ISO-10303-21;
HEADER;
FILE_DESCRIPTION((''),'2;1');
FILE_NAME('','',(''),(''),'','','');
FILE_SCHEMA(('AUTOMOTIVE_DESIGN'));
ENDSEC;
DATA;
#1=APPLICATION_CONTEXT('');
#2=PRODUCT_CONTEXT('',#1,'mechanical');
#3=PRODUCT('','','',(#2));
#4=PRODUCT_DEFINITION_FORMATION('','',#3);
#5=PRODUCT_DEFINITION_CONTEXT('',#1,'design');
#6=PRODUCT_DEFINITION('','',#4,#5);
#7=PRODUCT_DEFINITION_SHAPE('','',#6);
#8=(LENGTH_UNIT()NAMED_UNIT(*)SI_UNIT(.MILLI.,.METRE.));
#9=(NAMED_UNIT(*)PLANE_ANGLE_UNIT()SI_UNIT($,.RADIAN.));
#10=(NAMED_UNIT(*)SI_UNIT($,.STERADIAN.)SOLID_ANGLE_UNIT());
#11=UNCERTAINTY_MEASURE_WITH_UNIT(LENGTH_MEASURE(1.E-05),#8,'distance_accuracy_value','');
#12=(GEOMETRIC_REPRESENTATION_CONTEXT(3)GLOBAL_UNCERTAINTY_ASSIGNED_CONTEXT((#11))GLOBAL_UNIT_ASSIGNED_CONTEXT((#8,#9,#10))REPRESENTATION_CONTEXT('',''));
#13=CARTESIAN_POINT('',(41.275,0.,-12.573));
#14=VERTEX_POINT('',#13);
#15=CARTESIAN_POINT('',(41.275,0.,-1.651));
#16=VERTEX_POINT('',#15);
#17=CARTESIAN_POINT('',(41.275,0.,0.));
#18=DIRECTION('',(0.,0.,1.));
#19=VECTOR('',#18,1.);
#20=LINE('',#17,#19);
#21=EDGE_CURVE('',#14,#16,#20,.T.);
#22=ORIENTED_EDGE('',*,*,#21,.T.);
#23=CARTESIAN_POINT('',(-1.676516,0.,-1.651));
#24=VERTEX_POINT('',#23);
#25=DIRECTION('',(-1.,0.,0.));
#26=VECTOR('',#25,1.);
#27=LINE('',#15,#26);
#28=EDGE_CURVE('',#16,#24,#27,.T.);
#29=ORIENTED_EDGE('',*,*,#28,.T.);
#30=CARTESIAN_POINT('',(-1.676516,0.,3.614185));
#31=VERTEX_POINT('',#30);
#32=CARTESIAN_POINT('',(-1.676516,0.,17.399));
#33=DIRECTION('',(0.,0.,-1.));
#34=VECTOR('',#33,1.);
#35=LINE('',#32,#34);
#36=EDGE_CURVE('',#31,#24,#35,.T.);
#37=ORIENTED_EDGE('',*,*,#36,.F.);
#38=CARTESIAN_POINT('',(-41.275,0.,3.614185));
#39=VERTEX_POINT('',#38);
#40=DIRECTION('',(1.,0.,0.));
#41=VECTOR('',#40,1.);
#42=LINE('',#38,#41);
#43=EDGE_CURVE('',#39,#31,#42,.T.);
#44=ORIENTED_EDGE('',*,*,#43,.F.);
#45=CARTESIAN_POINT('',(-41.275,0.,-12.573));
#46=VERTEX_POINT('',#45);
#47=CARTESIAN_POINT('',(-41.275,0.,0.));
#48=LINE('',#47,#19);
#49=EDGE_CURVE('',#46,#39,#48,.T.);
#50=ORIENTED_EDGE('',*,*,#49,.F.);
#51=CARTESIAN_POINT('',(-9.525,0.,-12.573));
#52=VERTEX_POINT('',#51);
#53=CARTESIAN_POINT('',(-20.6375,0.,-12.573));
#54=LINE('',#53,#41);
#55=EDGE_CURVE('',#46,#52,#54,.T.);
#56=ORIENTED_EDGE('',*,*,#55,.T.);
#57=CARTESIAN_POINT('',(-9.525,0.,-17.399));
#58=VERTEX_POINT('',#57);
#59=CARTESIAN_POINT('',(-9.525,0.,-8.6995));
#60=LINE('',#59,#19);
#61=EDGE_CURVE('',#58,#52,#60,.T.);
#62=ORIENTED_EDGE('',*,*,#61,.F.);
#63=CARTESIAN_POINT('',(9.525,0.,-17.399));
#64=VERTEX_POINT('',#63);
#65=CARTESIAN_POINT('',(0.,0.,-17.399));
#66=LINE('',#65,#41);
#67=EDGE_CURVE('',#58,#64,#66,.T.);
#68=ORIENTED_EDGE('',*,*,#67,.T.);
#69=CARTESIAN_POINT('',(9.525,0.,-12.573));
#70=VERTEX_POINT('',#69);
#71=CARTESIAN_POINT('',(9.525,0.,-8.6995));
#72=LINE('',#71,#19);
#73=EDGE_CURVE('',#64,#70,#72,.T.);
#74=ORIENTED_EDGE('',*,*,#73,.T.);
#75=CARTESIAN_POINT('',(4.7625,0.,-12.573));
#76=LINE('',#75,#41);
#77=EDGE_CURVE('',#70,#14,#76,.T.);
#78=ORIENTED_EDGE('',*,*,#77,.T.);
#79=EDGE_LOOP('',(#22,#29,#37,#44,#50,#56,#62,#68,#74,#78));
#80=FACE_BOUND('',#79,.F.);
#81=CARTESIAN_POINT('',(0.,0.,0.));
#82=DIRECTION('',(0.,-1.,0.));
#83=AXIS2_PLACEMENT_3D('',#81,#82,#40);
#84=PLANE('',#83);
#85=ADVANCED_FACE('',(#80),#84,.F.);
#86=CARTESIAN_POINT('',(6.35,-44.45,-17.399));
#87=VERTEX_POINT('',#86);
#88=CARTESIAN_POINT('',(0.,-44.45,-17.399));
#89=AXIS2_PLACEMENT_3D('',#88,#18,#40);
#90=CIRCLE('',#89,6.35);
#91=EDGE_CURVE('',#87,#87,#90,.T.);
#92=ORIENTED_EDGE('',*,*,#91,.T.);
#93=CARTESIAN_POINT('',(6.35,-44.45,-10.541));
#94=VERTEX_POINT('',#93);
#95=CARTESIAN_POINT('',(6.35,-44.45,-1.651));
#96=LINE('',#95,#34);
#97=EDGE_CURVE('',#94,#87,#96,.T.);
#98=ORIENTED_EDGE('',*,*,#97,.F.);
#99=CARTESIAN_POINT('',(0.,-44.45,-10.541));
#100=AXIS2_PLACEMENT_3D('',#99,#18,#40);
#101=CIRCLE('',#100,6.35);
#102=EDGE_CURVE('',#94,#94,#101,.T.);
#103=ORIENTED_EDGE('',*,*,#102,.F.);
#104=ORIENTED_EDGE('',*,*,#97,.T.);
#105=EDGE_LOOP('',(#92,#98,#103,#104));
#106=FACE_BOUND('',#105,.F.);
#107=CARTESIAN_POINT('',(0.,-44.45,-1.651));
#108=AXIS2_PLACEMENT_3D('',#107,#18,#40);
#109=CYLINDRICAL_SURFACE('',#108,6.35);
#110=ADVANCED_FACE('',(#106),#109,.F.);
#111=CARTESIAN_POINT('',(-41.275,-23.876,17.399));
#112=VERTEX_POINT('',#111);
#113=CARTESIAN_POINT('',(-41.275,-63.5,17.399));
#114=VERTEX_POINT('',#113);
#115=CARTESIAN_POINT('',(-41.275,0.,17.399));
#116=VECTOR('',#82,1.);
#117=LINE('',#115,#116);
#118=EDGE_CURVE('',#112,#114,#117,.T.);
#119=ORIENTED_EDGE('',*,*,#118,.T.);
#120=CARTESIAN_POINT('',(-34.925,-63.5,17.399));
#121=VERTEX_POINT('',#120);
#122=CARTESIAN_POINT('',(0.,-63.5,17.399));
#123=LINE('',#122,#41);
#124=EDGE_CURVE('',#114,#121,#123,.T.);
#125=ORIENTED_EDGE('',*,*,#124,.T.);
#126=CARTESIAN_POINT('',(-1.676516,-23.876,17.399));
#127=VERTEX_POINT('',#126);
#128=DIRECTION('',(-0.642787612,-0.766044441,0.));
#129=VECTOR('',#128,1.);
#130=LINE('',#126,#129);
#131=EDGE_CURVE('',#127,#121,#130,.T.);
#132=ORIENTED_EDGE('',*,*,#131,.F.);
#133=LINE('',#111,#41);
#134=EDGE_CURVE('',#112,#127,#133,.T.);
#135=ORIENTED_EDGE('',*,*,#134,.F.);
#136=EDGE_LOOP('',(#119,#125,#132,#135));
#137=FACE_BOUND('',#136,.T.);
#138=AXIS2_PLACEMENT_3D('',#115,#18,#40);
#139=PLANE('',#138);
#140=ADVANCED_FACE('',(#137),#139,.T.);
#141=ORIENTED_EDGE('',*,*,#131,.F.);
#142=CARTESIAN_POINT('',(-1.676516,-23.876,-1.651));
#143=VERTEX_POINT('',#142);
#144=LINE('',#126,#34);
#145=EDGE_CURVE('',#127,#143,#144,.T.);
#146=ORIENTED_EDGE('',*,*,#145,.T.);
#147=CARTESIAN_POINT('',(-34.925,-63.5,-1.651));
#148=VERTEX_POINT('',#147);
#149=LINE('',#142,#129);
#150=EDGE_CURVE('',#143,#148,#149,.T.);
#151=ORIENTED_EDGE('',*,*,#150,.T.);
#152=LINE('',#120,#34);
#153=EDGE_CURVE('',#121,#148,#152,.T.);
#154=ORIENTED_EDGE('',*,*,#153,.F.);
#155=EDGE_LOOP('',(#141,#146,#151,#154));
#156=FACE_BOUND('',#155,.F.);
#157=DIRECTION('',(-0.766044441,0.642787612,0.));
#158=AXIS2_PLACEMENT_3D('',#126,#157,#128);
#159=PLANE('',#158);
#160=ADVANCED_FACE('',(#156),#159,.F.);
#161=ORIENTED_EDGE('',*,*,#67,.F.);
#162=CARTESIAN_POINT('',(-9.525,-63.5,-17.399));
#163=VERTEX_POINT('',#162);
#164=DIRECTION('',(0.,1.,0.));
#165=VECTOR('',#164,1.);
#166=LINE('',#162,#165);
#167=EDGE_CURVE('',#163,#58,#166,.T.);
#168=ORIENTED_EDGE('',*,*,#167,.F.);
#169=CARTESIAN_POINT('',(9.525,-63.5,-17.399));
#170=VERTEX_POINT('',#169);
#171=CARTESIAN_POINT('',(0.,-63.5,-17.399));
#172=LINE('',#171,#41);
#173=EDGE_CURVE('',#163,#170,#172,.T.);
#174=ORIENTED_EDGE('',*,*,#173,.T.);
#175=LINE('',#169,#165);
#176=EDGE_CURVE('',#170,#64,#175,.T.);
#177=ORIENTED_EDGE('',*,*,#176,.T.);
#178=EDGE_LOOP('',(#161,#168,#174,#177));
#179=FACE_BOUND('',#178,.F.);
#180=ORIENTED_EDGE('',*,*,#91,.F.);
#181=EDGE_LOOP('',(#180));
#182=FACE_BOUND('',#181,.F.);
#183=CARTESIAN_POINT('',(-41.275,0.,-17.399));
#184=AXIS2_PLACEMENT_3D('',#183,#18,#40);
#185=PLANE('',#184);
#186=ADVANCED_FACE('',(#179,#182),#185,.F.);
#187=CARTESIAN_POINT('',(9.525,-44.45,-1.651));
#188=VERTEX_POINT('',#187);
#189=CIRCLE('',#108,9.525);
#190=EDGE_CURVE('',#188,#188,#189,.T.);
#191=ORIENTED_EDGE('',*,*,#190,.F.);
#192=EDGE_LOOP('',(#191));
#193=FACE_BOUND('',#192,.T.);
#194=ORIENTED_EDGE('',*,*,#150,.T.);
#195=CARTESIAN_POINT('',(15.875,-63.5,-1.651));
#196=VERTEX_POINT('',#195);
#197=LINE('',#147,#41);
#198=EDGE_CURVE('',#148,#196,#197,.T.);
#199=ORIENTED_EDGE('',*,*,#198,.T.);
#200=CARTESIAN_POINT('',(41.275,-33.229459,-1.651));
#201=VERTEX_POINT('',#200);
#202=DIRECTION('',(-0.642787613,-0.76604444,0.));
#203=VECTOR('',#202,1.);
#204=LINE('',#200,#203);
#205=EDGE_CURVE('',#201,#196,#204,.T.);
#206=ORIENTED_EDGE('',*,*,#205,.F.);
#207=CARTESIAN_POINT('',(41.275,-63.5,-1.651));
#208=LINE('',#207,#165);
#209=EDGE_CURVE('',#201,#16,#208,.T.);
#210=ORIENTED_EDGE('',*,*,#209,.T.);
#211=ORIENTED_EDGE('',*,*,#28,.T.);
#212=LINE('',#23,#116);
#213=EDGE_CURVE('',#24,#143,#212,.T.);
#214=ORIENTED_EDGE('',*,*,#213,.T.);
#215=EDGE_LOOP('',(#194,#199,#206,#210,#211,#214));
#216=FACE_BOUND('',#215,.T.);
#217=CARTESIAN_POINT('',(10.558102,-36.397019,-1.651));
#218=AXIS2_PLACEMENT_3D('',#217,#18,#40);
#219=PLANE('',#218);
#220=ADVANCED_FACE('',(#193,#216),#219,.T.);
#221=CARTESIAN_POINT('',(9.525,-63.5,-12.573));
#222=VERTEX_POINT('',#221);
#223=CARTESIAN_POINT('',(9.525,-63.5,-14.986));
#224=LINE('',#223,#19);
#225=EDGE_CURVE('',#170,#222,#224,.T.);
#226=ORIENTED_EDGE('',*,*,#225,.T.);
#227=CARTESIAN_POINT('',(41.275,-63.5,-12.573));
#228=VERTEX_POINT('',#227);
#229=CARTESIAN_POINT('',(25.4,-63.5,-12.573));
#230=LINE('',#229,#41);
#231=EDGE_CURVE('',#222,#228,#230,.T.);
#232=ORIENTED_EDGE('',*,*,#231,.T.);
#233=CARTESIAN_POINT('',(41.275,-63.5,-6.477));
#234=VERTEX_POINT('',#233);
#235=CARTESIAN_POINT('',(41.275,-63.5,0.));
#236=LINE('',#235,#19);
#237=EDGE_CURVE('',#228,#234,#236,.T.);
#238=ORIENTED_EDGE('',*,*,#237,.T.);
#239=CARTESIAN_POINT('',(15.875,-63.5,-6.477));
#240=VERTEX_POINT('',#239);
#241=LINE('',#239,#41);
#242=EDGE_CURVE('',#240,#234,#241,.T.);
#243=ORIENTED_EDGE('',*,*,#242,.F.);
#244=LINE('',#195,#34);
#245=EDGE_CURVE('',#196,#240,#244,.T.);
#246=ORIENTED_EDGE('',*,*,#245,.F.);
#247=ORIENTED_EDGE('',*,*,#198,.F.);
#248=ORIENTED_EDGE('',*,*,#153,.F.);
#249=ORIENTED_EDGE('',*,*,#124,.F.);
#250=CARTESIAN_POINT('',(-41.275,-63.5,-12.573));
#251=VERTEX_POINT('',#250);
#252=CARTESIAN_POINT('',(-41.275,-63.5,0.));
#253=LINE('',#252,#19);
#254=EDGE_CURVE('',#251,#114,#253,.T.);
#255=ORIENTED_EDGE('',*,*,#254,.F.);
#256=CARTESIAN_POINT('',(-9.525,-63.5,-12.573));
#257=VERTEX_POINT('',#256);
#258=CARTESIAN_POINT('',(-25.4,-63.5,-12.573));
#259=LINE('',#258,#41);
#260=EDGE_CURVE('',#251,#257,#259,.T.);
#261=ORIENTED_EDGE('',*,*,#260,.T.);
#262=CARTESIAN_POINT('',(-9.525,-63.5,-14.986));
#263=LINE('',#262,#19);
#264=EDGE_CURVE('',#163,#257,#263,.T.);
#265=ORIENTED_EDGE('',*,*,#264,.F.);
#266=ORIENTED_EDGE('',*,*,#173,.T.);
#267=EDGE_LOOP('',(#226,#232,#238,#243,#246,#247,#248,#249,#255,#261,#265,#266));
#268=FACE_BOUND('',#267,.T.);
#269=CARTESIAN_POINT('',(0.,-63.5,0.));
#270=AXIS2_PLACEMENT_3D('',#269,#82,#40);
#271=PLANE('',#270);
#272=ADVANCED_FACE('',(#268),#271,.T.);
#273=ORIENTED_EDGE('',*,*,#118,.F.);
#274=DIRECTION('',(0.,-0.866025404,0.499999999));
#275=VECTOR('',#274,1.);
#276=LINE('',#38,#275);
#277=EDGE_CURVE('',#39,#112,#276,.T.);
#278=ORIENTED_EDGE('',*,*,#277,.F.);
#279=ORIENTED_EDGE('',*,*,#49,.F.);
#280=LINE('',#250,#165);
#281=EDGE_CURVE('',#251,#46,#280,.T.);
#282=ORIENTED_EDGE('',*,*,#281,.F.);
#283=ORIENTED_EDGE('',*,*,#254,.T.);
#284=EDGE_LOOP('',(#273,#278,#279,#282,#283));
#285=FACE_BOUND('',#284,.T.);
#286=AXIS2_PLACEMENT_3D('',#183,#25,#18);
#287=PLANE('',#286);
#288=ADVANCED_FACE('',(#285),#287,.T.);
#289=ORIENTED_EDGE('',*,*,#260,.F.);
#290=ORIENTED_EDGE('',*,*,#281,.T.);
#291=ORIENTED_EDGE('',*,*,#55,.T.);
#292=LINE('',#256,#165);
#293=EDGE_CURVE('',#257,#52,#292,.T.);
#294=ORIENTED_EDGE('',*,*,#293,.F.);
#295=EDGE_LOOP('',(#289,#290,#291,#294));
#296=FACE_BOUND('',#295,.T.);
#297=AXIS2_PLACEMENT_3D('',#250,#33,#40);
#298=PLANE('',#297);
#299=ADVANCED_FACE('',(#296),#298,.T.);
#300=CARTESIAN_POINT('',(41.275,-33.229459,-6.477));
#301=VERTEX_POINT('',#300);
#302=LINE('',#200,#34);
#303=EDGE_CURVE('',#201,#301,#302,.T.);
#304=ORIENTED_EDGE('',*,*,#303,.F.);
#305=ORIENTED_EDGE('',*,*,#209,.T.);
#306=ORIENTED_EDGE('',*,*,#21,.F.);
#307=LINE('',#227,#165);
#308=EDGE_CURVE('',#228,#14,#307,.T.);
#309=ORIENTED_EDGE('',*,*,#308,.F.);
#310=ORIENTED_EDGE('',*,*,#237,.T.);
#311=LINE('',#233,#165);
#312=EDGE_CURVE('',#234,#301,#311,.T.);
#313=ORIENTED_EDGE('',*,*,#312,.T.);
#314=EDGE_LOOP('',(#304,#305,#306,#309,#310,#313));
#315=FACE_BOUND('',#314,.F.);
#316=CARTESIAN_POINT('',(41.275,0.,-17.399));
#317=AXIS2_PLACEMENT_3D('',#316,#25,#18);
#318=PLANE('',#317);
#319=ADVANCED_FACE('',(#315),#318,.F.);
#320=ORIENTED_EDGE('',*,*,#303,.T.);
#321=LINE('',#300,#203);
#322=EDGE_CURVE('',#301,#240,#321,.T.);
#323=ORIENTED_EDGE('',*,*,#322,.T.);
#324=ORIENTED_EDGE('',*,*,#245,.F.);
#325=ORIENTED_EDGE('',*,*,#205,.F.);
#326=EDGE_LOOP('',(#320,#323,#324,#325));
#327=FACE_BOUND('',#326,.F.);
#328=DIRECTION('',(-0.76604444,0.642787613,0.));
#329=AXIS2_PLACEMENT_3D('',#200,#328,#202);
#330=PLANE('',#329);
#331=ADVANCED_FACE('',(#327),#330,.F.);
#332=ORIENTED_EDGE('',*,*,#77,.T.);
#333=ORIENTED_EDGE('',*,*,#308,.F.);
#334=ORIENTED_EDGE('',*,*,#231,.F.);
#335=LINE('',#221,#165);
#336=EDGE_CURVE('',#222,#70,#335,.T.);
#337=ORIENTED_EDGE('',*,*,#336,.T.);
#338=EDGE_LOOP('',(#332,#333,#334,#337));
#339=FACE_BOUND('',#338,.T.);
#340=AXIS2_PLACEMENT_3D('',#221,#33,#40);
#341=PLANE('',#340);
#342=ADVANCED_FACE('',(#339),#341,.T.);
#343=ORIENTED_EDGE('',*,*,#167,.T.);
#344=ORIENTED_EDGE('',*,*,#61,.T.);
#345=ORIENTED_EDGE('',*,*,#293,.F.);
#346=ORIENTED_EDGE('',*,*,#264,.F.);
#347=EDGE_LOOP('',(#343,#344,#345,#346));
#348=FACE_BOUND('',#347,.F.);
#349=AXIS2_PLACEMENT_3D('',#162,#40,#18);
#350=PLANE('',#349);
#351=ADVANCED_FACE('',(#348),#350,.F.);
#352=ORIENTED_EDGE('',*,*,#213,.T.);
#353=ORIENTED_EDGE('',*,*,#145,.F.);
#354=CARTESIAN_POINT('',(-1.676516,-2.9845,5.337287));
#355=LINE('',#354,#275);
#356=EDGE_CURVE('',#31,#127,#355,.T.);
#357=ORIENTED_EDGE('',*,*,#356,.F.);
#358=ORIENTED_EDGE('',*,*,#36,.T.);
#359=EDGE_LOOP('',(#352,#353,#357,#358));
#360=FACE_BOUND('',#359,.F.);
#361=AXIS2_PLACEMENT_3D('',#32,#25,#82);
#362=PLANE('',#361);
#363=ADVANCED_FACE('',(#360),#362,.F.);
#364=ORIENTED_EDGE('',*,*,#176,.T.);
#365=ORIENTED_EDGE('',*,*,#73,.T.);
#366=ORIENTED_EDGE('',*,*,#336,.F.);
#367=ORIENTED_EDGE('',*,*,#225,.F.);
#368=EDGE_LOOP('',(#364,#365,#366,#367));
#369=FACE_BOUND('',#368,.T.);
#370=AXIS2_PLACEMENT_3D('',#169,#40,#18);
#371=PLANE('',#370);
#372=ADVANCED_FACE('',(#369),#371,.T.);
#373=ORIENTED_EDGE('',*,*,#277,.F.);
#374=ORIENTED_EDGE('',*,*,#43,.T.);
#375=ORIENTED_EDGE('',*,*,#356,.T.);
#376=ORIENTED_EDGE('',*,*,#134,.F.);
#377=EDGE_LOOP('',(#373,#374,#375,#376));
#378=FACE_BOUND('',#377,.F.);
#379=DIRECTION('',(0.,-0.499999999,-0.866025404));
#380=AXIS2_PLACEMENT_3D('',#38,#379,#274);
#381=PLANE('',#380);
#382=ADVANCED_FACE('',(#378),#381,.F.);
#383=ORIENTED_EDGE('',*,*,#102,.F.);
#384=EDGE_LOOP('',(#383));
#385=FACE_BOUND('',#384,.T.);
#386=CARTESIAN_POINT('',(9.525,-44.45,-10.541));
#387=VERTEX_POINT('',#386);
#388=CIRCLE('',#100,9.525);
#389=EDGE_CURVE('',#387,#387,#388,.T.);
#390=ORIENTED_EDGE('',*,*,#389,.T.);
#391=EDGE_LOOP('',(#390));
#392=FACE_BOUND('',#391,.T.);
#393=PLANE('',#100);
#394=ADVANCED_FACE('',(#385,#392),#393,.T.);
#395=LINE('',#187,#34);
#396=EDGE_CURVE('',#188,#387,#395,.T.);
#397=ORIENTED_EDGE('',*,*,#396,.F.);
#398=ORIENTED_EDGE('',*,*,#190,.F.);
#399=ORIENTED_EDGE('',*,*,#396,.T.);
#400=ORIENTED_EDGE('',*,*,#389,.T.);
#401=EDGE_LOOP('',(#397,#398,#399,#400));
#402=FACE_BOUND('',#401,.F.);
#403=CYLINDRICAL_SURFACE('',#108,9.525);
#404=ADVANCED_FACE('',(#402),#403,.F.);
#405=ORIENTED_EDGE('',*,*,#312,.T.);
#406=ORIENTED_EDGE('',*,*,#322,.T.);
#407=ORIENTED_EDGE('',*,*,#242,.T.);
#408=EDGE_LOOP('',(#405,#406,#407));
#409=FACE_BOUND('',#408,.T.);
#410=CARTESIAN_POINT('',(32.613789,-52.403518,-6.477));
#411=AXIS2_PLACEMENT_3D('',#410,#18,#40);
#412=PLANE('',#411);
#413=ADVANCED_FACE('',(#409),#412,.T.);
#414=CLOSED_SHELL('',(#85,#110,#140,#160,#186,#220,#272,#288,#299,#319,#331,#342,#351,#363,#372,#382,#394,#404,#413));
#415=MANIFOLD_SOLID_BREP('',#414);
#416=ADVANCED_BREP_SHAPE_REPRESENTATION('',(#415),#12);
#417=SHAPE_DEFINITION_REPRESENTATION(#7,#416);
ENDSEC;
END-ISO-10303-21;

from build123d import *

# Parameters (mm, degrees)
F0_W      = 82.55
F0_H      = 34.798
F1_DEPTH  = 63.5
F2_W      = 31.75
F2_H      = 4.826
F3_DEPTH  = 63.501
F5_DEPTH  = 19.05
F7_DEPTH  = 82.551
F9_DEPTH  = 4.826
F10_R     = 6.35
F11_DEPTH = 15.749
F12_R     = 9.525
F13_DEPTH = 8.89


with BuildPart() as f1:
    # F0 (on Front) → F1 (new body)
    with BuildSketch(Plane.XZ):
        Rectangle(F0_W, F0_H)
    extrude(amount=F1_DEPTH)

    # F2 (on face) → F3 (cut, through all)
    with BuildSketch(Plane.XZ.offset(63.5)):
        with Locations((-25.4, -14.986)):
            Rectangle(F2_W, F2_H)
        with Locations((25.4, -14.986)):
            Rectangle(F2_W, F2_H)
    extrude(amount=-F3_DEPTH, mode=Mode.SUBTRACT)

    # F4 (on face) → F5 (cut)
    with BuildSketch(Plane.XY.offset(17.399)):
        Polygon((-1.676516, -23.876), (-34.925, -63.5), (41.275, -63.5), (41.275, 0), (-1.676516, 0), align=None)
    extrude(amount=-F5_DEPTH, mode=Mode.SUBTRACT)

    # F6 (on face) → F7 (cut, through all)
    with BuildSketch(Plane(origin=(-41.275, 0, 0), x_dir=(0, -1, 0), z_dir=(-1, 0, 0))):
        Polygon((0, 17.399), (0, 3.614185), (23.876, 17.399), align=None)
    extrude(amount=-F7_DEPTH, mode=Mode.SUBTRACT)

    # F8 (on face) → F9 (cut)
    with BuildSketch(Plane.XY.offset(-1.651)):
        Polygon((15.875, -63.5), (41.275, -63.5), (41.275, -33.229459), align=None)
    extrude(amount=-F9_DEPTH, mode=Mode.SUBTRACT)

    # F10 (on face) → F11 (cut, through all)
    with BuildSketch(Plane.XY.offset(-1.651)):
        with Locations((0, -44.45)):
            Circle(F10_R)
    extrude(amount=-F11_DEPTH, mode=Mode.SUBTRACT)

    # F12 (on face) → F13 (cut)
    with BuildSketch(Plane.XY.offset(-1.651)):
        with Locations((0, -44.45)):
            Circle(F12_R)
    extrude(amount=-F13_DEPTH, mode=Mode.SUBTRACT)


solid = f1.part
